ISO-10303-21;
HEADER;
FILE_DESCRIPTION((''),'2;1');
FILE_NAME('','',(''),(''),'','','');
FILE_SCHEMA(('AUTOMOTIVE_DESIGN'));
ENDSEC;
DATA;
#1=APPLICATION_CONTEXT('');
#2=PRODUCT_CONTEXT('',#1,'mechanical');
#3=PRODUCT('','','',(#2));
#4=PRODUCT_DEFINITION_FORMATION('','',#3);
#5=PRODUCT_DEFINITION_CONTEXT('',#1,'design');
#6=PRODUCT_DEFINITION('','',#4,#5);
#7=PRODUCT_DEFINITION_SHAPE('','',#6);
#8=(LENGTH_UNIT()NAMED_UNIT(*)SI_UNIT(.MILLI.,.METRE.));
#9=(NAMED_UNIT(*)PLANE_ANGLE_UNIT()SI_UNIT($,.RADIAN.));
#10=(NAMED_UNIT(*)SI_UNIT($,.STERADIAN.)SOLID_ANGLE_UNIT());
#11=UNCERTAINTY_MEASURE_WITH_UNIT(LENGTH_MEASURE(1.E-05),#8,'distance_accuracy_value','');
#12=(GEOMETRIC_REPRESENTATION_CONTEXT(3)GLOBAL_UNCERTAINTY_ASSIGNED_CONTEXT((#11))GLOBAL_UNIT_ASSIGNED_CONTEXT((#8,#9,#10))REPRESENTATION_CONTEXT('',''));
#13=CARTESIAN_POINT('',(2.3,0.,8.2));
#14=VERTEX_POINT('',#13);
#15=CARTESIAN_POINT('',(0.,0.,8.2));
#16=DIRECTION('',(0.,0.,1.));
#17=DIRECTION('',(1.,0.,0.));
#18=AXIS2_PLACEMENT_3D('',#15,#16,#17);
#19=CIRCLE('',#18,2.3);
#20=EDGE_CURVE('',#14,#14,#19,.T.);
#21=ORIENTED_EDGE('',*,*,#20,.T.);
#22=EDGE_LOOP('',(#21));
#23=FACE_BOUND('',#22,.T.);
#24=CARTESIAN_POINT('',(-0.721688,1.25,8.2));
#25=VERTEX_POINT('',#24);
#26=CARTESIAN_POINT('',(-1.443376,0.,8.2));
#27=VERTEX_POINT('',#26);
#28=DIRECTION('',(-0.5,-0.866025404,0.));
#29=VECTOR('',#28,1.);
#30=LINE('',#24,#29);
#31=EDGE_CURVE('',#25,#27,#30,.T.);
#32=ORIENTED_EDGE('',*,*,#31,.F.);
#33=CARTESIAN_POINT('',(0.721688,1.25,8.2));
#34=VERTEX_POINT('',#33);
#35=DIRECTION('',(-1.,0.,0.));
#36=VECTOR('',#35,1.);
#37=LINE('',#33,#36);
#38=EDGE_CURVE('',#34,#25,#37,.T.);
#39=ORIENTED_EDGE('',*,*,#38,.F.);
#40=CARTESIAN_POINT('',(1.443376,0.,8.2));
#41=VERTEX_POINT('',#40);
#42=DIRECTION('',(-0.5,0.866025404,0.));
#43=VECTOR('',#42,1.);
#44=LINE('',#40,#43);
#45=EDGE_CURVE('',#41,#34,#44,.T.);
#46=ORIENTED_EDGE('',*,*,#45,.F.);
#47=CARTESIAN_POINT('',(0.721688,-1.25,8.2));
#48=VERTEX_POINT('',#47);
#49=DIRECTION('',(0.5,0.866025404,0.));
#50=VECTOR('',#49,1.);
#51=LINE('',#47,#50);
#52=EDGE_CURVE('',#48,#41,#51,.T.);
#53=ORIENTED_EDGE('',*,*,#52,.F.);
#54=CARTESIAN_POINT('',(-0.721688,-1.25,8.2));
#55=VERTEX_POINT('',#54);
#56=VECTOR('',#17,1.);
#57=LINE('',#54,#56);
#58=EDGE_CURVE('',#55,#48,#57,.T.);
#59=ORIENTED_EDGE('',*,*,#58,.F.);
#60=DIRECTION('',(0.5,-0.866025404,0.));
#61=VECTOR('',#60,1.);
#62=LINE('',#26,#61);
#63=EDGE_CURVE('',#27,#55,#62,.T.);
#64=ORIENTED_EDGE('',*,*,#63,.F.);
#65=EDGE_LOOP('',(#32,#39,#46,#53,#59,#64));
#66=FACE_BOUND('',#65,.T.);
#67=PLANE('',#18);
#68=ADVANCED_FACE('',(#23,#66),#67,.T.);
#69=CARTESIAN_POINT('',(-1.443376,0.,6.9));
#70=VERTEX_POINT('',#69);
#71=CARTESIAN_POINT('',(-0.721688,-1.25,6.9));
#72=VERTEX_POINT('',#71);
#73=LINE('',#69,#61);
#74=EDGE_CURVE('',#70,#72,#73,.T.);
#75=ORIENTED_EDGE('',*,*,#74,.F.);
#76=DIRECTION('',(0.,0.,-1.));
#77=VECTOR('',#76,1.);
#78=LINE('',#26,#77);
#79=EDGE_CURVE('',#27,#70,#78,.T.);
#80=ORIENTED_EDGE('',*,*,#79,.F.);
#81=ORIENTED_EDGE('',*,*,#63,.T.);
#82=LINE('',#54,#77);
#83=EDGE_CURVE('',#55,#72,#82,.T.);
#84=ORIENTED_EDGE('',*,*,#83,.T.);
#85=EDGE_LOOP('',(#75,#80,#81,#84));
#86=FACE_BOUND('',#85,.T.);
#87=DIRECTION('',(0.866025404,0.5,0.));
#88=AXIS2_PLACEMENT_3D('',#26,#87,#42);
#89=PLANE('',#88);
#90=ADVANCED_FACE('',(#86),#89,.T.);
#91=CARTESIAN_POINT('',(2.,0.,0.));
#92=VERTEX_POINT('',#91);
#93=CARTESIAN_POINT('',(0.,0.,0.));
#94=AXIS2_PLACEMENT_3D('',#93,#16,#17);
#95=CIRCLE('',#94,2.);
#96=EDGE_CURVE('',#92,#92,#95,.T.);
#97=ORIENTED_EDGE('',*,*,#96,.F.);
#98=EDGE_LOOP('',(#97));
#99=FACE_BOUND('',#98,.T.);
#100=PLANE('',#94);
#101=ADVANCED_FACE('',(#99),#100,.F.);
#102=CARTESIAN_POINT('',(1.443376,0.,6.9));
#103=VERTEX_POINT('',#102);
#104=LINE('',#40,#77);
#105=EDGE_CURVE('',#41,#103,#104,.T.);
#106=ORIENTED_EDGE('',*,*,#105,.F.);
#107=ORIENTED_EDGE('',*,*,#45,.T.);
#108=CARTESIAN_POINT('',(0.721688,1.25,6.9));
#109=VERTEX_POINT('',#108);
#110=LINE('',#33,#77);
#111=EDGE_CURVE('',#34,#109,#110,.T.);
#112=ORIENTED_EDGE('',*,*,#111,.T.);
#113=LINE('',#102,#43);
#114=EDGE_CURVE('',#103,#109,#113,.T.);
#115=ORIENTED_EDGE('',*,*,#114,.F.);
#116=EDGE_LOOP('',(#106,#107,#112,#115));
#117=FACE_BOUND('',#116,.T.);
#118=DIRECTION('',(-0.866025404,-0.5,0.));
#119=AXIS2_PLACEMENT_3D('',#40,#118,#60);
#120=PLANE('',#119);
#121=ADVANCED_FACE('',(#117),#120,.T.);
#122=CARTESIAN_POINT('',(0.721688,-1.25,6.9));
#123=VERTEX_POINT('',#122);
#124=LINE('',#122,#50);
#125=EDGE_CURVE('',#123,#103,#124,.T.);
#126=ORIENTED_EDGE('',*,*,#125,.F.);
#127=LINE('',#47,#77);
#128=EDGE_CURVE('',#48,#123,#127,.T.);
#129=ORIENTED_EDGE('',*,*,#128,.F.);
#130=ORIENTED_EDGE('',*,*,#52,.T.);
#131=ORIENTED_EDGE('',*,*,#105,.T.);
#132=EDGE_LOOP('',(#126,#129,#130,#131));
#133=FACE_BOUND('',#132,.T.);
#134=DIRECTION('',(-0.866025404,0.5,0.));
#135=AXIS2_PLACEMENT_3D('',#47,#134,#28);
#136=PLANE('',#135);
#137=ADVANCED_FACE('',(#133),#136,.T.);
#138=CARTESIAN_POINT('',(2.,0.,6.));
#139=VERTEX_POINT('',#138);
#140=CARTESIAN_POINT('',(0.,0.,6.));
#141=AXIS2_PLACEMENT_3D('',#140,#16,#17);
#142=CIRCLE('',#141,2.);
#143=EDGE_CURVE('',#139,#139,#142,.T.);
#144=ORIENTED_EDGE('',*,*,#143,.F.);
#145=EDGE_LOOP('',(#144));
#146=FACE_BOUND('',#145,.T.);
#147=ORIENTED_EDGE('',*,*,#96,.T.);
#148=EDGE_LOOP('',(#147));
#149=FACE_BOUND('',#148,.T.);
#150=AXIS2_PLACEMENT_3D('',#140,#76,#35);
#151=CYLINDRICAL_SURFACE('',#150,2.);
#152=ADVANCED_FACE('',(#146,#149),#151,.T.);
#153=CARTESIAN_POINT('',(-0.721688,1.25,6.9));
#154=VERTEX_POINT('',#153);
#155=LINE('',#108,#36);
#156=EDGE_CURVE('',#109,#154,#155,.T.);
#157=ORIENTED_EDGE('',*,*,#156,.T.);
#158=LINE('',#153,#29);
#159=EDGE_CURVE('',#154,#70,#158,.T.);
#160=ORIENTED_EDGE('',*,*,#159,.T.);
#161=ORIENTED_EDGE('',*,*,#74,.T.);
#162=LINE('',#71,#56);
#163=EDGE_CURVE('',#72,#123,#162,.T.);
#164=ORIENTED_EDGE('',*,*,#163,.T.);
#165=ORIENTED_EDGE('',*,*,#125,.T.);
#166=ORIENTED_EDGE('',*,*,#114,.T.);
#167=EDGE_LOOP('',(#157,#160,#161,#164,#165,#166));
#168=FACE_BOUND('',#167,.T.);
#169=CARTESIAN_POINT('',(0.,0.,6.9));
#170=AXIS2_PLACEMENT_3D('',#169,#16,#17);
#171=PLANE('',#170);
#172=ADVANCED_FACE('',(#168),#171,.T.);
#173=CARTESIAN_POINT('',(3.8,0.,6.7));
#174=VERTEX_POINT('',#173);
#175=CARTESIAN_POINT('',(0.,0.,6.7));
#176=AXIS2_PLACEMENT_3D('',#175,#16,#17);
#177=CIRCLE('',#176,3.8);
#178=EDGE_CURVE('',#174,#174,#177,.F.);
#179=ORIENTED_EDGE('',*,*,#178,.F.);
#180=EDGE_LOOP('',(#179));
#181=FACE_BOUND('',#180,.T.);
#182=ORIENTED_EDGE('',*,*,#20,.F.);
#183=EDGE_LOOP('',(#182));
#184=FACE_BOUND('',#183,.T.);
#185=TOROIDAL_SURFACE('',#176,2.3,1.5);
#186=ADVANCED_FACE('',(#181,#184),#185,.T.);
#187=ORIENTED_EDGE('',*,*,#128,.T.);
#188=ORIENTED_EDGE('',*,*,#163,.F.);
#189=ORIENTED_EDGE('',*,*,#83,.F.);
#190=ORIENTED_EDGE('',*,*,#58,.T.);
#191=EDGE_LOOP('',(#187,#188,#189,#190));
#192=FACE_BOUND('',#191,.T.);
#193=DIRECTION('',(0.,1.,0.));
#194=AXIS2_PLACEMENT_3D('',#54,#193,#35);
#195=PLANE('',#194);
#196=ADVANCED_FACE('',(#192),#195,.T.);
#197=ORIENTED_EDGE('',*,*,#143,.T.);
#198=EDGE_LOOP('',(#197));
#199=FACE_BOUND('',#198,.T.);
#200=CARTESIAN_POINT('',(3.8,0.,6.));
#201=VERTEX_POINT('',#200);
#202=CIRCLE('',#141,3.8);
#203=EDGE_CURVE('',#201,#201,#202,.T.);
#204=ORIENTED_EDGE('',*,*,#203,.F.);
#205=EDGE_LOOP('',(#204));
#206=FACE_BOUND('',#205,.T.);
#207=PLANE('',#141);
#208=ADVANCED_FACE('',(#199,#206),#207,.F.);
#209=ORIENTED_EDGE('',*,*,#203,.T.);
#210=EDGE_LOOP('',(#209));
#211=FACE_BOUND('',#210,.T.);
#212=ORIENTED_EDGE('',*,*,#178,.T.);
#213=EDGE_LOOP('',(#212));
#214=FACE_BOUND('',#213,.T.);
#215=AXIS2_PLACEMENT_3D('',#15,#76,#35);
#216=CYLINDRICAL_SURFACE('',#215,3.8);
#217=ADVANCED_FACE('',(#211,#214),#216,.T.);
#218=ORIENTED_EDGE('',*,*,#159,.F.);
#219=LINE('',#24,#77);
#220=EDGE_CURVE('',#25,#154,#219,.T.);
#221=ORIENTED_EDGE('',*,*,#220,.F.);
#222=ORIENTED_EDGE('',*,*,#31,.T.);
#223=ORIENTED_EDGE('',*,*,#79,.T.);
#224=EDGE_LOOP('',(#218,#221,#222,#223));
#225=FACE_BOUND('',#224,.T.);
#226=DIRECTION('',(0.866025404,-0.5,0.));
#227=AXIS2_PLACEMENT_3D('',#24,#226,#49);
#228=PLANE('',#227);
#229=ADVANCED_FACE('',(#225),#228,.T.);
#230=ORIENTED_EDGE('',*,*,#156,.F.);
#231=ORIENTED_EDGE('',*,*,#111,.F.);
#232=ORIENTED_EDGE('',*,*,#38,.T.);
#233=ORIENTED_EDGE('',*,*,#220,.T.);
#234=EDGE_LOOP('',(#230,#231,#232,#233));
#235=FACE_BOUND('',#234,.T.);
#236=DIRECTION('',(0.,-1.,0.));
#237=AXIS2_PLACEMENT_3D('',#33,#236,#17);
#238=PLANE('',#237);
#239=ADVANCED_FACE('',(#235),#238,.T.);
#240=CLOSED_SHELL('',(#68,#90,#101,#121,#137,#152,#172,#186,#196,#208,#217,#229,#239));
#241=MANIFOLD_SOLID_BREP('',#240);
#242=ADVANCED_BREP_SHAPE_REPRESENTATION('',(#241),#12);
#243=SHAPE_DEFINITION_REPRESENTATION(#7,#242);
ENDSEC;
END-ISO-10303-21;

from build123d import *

# Parameters (mm, degrees)
SKETCH1_R      = 2
SHANK_DEPTH    = 6
SKETCH2_R      = 3.8
HEAD_DEPTH     = 2.2
BUTTON_ROUND_R = 1.5
SOCKET_DEPTH   = 1.3


with BuildPart() as part:
    # Sketch1 → Shank (new body)
    with BuildSketch(Plane.XY):
        Circle(SKETCH1_R)
    extrude(amount=SHANK_DEPTH)

    # Sketch2 → Head (add)
    with BuildSketch(Plane.XY.offset(6)):
        Circle(SKETCH2_R)
    extrude(amount=HEAD_DEPTH)

    # Button_round
    button_round_edges = [part.edges().sort_by_distance(p)[0] for p in [
        (-3.8, 0, 8.2),
    ]]
    fillet(button_round_edges, radius=BUTTON_ROUND_R)

    # Sketch3 → Socket (cut)
    with BuildSketch(Plane.XY.offset(6.9)):
        Polygon((1.443375673, 0), (0.721687836, 1.25), (-0.721687836, 1.25), (-1.443375673, 0), (-0.721687836, -1.25), (0.721687836, -1.25), align=None)
    extrude(amount=SOCKET_DEPTH, mode=Mode.SUBTRACT)


solid = part.part
